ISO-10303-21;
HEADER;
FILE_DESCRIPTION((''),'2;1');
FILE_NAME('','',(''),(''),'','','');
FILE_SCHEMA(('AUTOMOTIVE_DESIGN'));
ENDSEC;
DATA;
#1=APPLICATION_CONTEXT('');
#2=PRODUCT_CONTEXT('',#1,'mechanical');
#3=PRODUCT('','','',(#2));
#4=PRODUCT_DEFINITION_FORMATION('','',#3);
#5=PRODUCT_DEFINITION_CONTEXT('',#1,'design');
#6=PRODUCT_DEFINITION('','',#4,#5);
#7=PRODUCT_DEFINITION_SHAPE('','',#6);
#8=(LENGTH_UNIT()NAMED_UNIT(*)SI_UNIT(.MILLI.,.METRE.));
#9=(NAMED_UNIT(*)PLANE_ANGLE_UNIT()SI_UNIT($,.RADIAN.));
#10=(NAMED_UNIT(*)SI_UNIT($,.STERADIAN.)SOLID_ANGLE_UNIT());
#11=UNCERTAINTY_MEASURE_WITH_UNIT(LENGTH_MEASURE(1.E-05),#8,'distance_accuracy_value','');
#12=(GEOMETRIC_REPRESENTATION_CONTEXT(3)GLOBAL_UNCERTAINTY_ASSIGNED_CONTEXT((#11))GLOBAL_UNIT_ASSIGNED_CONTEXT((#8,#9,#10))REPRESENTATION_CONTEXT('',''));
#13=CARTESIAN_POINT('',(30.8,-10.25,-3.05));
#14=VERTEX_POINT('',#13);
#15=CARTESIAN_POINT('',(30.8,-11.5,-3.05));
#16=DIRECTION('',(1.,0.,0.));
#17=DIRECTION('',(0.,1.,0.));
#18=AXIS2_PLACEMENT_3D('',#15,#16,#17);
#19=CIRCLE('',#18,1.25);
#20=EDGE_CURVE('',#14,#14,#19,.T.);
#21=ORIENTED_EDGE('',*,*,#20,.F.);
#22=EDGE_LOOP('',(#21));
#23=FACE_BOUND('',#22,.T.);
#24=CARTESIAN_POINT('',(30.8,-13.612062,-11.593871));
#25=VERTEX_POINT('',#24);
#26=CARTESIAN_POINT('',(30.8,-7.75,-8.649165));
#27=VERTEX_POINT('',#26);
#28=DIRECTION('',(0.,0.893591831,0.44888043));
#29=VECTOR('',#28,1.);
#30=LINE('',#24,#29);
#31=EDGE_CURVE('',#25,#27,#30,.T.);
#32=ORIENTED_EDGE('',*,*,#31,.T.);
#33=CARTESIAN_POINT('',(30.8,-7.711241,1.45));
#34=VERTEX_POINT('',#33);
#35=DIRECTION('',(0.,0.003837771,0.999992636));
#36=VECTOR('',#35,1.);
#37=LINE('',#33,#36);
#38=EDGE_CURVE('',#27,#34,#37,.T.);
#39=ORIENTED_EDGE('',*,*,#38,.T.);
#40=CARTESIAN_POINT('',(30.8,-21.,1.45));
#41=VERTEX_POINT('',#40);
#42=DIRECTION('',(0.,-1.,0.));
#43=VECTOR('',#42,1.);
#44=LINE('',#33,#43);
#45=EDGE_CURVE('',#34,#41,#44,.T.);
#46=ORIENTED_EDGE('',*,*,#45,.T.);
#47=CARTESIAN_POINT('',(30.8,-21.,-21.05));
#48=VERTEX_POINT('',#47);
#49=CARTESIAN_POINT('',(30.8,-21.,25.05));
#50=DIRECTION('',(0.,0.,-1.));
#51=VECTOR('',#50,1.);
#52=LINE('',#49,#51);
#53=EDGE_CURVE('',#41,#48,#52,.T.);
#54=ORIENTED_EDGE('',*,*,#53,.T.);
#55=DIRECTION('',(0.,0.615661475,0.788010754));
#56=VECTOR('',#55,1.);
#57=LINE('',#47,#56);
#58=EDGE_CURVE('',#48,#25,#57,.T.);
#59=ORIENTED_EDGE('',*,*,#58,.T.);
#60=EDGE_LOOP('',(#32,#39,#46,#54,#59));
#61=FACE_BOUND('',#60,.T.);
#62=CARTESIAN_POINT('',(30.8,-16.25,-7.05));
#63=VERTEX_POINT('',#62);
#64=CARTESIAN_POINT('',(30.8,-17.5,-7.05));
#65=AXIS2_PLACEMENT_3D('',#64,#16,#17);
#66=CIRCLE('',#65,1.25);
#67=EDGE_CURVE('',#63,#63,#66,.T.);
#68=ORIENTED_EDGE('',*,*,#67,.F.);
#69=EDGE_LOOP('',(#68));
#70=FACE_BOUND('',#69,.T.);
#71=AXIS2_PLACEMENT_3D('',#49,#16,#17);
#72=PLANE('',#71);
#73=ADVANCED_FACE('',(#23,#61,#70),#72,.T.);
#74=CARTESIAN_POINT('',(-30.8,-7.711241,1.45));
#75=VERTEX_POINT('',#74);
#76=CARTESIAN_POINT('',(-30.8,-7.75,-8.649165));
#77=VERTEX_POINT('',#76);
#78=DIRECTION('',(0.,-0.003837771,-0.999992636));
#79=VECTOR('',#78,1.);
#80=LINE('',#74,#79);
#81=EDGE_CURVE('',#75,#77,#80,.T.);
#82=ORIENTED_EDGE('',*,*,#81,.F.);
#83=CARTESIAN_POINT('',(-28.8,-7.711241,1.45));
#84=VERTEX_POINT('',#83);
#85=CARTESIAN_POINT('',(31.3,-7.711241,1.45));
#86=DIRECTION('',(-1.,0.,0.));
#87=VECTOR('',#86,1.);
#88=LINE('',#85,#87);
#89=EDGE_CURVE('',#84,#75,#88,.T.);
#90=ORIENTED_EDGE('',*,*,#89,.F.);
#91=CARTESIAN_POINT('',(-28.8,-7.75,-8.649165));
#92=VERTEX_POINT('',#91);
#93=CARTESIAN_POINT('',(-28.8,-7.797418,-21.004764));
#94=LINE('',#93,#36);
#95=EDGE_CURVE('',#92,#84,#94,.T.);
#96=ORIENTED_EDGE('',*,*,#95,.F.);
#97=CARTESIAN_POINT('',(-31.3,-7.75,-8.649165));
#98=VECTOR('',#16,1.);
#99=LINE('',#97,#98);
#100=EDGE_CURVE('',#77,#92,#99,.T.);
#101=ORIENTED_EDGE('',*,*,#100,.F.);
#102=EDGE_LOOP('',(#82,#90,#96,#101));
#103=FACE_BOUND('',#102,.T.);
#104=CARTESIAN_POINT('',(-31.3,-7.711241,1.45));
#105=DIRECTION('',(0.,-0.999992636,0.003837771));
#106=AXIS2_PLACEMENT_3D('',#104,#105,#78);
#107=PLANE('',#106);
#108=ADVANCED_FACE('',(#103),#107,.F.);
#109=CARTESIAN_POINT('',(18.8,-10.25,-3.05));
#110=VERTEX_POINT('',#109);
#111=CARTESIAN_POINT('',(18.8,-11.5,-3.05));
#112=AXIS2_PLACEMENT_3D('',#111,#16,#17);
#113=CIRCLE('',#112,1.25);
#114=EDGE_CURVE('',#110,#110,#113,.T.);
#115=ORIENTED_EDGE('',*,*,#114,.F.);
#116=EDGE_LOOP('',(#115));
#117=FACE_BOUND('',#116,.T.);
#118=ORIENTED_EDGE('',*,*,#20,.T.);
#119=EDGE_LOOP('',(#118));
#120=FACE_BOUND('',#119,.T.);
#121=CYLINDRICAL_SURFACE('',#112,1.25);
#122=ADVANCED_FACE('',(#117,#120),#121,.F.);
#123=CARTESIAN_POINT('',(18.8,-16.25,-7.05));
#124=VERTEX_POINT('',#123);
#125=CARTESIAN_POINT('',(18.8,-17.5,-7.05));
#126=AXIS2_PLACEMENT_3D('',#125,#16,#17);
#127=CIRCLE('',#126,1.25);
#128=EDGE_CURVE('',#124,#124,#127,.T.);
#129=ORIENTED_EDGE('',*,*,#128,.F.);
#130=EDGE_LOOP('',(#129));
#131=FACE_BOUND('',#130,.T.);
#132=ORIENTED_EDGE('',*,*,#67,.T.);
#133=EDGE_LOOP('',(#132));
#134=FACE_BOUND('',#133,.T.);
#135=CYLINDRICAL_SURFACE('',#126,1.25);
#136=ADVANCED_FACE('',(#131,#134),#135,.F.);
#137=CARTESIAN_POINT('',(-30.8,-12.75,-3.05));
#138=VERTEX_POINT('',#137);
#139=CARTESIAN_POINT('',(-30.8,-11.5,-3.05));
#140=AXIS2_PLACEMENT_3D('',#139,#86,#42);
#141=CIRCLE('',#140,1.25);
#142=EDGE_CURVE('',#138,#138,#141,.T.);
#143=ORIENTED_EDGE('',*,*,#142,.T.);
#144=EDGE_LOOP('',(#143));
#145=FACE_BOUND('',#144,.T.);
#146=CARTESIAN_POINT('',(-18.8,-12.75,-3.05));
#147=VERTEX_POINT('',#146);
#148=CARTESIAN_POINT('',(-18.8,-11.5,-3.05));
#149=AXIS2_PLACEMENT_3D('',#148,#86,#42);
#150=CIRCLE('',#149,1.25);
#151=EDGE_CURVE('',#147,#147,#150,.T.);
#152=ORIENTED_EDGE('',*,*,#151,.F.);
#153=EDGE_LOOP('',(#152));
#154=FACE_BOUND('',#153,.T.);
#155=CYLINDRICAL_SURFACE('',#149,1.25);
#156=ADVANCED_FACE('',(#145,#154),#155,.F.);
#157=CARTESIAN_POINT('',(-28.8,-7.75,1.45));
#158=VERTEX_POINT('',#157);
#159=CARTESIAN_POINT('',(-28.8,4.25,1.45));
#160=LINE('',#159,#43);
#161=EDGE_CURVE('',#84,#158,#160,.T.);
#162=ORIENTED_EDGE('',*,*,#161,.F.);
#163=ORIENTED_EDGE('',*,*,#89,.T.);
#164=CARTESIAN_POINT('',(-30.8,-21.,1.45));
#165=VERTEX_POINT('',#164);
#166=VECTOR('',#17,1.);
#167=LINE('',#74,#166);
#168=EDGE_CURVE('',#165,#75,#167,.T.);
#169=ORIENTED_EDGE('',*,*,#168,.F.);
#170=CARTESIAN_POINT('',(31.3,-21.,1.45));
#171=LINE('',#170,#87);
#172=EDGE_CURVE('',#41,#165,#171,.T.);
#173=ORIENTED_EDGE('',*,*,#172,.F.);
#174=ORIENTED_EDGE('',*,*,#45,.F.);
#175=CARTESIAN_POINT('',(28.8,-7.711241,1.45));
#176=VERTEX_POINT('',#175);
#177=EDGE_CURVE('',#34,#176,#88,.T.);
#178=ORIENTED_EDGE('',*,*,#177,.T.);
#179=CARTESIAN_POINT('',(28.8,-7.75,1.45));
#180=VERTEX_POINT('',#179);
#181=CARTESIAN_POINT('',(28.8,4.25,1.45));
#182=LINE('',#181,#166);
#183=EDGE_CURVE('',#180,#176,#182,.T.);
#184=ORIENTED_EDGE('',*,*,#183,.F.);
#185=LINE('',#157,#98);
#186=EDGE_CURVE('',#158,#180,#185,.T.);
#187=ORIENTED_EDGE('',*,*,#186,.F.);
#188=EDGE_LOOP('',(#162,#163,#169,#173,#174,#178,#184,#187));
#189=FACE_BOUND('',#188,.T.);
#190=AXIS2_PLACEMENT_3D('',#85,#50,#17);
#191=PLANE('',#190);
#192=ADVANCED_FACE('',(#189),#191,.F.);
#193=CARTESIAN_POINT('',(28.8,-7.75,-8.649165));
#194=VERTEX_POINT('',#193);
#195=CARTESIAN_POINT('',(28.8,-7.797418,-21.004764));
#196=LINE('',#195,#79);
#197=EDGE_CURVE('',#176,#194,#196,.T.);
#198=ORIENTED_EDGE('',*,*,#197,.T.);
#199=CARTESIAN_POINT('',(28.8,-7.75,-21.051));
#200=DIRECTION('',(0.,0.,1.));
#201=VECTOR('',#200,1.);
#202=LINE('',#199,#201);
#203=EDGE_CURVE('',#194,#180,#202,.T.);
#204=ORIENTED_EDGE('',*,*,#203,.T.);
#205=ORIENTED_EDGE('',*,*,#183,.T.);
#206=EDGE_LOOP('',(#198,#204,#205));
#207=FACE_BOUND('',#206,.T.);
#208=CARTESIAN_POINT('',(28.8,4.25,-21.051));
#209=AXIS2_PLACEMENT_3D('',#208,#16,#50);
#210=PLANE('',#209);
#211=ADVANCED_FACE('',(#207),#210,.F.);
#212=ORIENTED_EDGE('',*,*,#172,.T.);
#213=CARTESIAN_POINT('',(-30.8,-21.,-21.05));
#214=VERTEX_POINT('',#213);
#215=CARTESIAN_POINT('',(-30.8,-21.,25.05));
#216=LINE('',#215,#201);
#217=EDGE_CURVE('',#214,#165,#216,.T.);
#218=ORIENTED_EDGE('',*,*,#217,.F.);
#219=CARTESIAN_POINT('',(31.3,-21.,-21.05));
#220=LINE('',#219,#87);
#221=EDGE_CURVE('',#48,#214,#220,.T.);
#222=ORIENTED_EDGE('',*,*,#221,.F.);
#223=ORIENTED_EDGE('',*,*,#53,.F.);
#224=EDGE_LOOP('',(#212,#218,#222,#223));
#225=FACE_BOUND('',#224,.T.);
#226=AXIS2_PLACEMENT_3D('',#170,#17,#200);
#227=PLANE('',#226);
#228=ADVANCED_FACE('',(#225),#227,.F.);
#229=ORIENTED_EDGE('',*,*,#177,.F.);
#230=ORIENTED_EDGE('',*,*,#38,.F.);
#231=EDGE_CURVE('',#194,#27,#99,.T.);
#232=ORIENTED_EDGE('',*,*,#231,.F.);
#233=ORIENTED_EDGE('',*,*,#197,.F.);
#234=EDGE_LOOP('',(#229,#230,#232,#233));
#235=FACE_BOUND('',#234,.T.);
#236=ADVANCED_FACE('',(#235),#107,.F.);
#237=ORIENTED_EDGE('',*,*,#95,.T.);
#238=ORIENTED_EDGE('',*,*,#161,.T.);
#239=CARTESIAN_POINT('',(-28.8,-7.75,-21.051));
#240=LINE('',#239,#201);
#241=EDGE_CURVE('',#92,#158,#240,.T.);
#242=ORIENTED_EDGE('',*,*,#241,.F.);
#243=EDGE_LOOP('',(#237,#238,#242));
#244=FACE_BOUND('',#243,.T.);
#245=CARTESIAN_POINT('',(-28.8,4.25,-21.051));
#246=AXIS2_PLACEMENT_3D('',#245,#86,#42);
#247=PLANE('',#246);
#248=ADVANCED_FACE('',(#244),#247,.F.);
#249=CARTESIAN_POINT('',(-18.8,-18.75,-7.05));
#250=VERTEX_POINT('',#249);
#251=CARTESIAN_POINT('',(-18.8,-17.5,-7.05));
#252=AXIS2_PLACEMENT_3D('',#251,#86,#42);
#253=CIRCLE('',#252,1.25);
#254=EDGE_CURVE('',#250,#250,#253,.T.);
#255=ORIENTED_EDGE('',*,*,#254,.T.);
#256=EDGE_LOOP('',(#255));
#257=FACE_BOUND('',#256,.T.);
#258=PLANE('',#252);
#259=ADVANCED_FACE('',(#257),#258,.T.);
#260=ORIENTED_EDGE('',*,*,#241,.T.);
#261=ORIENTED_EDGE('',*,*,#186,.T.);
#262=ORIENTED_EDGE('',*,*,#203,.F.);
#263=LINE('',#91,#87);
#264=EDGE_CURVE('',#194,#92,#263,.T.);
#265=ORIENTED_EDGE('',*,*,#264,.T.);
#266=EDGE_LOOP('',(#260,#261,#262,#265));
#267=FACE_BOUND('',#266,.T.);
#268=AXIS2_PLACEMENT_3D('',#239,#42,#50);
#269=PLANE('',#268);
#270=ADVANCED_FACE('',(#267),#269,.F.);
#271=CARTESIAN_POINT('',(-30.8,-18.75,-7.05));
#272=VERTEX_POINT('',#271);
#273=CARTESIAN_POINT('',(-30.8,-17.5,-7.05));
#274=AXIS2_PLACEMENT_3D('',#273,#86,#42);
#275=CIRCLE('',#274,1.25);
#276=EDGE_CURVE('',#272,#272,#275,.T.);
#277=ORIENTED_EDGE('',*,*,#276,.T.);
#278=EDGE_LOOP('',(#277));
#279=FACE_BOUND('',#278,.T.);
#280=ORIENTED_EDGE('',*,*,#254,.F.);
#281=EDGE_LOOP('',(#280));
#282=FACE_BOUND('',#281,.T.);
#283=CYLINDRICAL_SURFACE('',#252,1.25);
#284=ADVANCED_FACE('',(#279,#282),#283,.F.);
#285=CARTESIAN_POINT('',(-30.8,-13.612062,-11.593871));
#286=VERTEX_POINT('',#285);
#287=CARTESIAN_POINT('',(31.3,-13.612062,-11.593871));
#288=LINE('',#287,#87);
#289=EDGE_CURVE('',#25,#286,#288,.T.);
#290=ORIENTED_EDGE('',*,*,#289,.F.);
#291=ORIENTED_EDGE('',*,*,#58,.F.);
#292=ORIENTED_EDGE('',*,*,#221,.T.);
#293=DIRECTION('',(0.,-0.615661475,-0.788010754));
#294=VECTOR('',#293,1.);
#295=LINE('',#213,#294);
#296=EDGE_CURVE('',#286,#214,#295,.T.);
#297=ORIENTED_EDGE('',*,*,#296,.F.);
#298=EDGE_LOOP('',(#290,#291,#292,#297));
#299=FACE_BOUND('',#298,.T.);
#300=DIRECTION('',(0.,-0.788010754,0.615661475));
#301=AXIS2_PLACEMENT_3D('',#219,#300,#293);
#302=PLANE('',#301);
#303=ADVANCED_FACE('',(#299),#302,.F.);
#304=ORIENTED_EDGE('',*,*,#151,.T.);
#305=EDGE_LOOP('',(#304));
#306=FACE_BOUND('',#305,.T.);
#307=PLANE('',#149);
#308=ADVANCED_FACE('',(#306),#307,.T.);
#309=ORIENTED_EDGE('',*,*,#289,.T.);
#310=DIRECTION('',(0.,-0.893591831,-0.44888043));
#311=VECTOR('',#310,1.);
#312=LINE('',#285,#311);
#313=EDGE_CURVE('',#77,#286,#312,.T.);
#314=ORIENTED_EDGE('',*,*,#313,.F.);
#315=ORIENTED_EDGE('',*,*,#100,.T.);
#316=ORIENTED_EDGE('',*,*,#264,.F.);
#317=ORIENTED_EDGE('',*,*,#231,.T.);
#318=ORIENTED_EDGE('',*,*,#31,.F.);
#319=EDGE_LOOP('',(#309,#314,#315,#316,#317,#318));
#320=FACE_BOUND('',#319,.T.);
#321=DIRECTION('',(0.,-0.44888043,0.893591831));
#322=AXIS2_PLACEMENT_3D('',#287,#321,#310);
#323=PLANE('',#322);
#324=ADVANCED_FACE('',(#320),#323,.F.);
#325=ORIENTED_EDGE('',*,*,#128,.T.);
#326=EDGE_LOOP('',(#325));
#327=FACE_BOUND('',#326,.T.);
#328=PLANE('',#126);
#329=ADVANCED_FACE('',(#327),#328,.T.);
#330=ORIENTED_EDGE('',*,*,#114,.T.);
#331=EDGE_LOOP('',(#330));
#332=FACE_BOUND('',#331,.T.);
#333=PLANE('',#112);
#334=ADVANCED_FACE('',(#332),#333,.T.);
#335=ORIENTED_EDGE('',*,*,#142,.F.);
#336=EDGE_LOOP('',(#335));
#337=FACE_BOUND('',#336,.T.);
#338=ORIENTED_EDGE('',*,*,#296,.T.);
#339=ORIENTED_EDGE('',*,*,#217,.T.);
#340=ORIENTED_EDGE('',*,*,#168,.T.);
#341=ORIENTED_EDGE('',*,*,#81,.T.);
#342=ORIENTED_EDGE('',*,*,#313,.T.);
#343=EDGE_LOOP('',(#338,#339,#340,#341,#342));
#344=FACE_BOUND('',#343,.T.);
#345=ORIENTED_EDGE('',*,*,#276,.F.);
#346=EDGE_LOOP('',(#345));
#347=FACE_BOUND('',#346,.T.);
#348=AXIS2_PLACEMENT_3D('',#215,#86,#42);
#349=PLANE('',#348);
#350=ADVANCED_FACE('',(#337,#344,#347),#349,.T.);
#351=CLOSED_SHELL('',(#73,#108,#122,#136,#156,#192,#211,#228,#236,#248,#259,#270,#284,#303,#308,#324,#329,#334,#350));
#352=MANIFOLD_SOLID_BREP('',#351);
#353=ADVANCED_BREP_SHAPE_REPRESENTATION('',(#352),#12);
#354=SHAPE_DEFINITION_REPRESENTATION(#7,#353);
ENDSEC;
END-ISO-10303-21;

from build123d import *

# Parameters (mm, degrees)
SKETCH1_R               = 2.15
BOSS_EXTRUDE1_DEPTH     = 31.3
CUT_EXTRUDE1_REACH      = 47.396
SKETCH2_W               = 57.6
SKETCH2_H               = 12
CUT_EXTRUDE3_DEPTH      = 70.302687538
CUT_EXTRUDE4_DEPTH      = 40.979432212
CUT_EXTRUDE4_DEPTH_BACK = 40.979432212
SKETCH9_W               = 62.6
SKETCH9_H               = 52.1
SKETCH9_W_2             = 61.6
SKETCH9_H_2             = 50.1
SKETCH10_R              = 1.25
CUT_EXTRUDE5_DEPTH      = 12
CUT_EXTRUDE6_START      = -12
SKETCH11_R              = 1.25
CUT_EXTRUDE6_DEPTH      = 12


with BuildPart() as part:
    # Sketch1 → Boss-Extrude1 (new, symmetric)
    with BuildSketch(Plane(origin=(0, 0, 0), x_dir=(0, 0, -1), z_dir=(1, 0, 0))):
        with BuildLine():
            Line((-4.25, 0), (-4.25, -4))
            ThreePointArc((-4.25, -4), (-4.105356672, -4.642657212), (-3.699322277, -5.161372987))
            Line((-3.699322277, -5.161372987), (-2.000677723, -6.549868444))
            ThreePointArc((-2.000677723, -6.549868444), (-1.594643328, -7.068584218), (-1.45, -7.71124143))
            Line((-1.45, -7.71124143), (-1.45, -21))
            Line((-1.45, -21), (21.05, -21))
            Line((21.05, -21), (11.593870957, -13.612062296))
            Line((11.593870957, -13.612062296), (3.79776528, 1.907741826))
            ThreePointArc((3.79776528, 1.907741826), (-0.980305452, 4.135396138), (-4.25, 0))
        make_face()
        Circle(SKETCH1_R, mode=Mode.SUBTRACT)
    extrude(amount=BOSS_EXTRUDE1_DEPTH, both=True)

    # Cut-Extrude1: up to this plane
    cut_extrude1_end = Plane(origin=(31.3, -13.612062296, -11.593870957), z_dir=(0, -0.44888042970734693, 0.8935918306619346))
    # Sketch2 → Cut-Extrude1 (cut, up to the surface)
    with BuildSketch(Plane.XY.offset(4.25), mode=Mode.PRIVATE) as cut_extrude1_sk1:
        with Locations((0, -1.75)):
            Rectangle(SKETCH2_W, SKETCH2_H)
    cut_extrude1_tool1 = split(extrude(cut_extrude1_sk1.sketch, amount=-CUT_EXTRUDE1_REACH, mode=Mode.PRIVATE), bisect_by=cut_extrude1_end, keep=Keep.BOTH, mode=Mode.PRIVATE)
    add(cut_extrude1_tool1.solids().sort_by_distance((0, -1.75, 4.25))[0], mode=Mode.SUBTRACT)

    # Sketch8 → Cut-Extrude3 (cut, through all)
    with BuildSketch(Plane(origin=(31.3, 0, 0), x_dir=(0, 0, -1), z_dir=(1, 0, 0))):
        with BuildLine():
            Line((-1.45, -7.71124143), (8.649165161, -7.75))
            Line((8.649165161, -7.75), (3.79776528, 1.907741826))
            ThreePointArc((3.79776528, 1.907741826), (-0.980305452, 4.135396138), (-4.25, 0))
            Line((-4.25, 0), (-4.25, -4))
            ThreePointArc((-4.25, -4), (-4.105356672, -4.642657212), (-3.699322277, -5.161372987))
            Line((-3.699322277, -5.161372987), (-2.000677723, -6.549868444))
            ThreePointArc((-2.000677723, -6.549868444), (-1.594643328, -7.068584218), (-1.45, -7.71124143))
        make_face()
    extrude(amount=-CUT_EXTRUDE3_DEPTH, mode=Mode.SUBTRACT)

    # Sketch9 → Cut-Extrude4 (cut, two sides: drawn at the far end of the back side and taken through both)
    with BuildSketch(Plane(origin=(0, -7.75, 0), x_dir=(1, 0, 0), z_dir=(0, 1, 0)).offset(-CUT_EXTRUDE4_DEPTH_BACK)):
        Rectangle(SKETCH9_W, SKETCH9_H)
        Rectangle(SKETCH9_W_2, SKETCH9_H_2, mode=Mode.SUBTRACT)
    extrude(amount=CUT_EXTRUDE4_DEPTH + CUT_EXTRUDE4_DEPTH_BACK, mode=Mode.SUBTRACT)

    # Sketch10 → Cut-Extrude5 (cut)
    with BuildSketch(Plane(origin=(30.8, 0, 0), x_dir=(0, 0, -1), z_dir=(1, 0, 0))):
        with Locations(Location((3.05, -11.5, 0), (0, 0, 90))):
            Circle(SKETCH10_R)
        with Locations(Location((7.05, -17.5, 0), (0, 0, 90))):
            Circle(SKETCH10_R)
    extrude(amount=-CUT_EXTRUDE5_DEPTH, mode=Mode.SUBTRACT)

    # Sketch11 → Cut-Extrude6 (cut)
    with BuildSketch(Plane.ZY.offset(30.8).offset(CUT_EXTRUDE6_START)):
        with Locations(Location((-7.05, -17.5, 0), (0, 0, 90))):
            Circle(SKETCH11_R)
        with Locations(Location((-3.05, -11.5, 0), (0, 0, 90))):
            Circle(SKETCH11_R)
    extrude(amount=CUT_EXTRUDE6_DEPTH, mode=Mode.SUBTRACT)


solid = part.part
